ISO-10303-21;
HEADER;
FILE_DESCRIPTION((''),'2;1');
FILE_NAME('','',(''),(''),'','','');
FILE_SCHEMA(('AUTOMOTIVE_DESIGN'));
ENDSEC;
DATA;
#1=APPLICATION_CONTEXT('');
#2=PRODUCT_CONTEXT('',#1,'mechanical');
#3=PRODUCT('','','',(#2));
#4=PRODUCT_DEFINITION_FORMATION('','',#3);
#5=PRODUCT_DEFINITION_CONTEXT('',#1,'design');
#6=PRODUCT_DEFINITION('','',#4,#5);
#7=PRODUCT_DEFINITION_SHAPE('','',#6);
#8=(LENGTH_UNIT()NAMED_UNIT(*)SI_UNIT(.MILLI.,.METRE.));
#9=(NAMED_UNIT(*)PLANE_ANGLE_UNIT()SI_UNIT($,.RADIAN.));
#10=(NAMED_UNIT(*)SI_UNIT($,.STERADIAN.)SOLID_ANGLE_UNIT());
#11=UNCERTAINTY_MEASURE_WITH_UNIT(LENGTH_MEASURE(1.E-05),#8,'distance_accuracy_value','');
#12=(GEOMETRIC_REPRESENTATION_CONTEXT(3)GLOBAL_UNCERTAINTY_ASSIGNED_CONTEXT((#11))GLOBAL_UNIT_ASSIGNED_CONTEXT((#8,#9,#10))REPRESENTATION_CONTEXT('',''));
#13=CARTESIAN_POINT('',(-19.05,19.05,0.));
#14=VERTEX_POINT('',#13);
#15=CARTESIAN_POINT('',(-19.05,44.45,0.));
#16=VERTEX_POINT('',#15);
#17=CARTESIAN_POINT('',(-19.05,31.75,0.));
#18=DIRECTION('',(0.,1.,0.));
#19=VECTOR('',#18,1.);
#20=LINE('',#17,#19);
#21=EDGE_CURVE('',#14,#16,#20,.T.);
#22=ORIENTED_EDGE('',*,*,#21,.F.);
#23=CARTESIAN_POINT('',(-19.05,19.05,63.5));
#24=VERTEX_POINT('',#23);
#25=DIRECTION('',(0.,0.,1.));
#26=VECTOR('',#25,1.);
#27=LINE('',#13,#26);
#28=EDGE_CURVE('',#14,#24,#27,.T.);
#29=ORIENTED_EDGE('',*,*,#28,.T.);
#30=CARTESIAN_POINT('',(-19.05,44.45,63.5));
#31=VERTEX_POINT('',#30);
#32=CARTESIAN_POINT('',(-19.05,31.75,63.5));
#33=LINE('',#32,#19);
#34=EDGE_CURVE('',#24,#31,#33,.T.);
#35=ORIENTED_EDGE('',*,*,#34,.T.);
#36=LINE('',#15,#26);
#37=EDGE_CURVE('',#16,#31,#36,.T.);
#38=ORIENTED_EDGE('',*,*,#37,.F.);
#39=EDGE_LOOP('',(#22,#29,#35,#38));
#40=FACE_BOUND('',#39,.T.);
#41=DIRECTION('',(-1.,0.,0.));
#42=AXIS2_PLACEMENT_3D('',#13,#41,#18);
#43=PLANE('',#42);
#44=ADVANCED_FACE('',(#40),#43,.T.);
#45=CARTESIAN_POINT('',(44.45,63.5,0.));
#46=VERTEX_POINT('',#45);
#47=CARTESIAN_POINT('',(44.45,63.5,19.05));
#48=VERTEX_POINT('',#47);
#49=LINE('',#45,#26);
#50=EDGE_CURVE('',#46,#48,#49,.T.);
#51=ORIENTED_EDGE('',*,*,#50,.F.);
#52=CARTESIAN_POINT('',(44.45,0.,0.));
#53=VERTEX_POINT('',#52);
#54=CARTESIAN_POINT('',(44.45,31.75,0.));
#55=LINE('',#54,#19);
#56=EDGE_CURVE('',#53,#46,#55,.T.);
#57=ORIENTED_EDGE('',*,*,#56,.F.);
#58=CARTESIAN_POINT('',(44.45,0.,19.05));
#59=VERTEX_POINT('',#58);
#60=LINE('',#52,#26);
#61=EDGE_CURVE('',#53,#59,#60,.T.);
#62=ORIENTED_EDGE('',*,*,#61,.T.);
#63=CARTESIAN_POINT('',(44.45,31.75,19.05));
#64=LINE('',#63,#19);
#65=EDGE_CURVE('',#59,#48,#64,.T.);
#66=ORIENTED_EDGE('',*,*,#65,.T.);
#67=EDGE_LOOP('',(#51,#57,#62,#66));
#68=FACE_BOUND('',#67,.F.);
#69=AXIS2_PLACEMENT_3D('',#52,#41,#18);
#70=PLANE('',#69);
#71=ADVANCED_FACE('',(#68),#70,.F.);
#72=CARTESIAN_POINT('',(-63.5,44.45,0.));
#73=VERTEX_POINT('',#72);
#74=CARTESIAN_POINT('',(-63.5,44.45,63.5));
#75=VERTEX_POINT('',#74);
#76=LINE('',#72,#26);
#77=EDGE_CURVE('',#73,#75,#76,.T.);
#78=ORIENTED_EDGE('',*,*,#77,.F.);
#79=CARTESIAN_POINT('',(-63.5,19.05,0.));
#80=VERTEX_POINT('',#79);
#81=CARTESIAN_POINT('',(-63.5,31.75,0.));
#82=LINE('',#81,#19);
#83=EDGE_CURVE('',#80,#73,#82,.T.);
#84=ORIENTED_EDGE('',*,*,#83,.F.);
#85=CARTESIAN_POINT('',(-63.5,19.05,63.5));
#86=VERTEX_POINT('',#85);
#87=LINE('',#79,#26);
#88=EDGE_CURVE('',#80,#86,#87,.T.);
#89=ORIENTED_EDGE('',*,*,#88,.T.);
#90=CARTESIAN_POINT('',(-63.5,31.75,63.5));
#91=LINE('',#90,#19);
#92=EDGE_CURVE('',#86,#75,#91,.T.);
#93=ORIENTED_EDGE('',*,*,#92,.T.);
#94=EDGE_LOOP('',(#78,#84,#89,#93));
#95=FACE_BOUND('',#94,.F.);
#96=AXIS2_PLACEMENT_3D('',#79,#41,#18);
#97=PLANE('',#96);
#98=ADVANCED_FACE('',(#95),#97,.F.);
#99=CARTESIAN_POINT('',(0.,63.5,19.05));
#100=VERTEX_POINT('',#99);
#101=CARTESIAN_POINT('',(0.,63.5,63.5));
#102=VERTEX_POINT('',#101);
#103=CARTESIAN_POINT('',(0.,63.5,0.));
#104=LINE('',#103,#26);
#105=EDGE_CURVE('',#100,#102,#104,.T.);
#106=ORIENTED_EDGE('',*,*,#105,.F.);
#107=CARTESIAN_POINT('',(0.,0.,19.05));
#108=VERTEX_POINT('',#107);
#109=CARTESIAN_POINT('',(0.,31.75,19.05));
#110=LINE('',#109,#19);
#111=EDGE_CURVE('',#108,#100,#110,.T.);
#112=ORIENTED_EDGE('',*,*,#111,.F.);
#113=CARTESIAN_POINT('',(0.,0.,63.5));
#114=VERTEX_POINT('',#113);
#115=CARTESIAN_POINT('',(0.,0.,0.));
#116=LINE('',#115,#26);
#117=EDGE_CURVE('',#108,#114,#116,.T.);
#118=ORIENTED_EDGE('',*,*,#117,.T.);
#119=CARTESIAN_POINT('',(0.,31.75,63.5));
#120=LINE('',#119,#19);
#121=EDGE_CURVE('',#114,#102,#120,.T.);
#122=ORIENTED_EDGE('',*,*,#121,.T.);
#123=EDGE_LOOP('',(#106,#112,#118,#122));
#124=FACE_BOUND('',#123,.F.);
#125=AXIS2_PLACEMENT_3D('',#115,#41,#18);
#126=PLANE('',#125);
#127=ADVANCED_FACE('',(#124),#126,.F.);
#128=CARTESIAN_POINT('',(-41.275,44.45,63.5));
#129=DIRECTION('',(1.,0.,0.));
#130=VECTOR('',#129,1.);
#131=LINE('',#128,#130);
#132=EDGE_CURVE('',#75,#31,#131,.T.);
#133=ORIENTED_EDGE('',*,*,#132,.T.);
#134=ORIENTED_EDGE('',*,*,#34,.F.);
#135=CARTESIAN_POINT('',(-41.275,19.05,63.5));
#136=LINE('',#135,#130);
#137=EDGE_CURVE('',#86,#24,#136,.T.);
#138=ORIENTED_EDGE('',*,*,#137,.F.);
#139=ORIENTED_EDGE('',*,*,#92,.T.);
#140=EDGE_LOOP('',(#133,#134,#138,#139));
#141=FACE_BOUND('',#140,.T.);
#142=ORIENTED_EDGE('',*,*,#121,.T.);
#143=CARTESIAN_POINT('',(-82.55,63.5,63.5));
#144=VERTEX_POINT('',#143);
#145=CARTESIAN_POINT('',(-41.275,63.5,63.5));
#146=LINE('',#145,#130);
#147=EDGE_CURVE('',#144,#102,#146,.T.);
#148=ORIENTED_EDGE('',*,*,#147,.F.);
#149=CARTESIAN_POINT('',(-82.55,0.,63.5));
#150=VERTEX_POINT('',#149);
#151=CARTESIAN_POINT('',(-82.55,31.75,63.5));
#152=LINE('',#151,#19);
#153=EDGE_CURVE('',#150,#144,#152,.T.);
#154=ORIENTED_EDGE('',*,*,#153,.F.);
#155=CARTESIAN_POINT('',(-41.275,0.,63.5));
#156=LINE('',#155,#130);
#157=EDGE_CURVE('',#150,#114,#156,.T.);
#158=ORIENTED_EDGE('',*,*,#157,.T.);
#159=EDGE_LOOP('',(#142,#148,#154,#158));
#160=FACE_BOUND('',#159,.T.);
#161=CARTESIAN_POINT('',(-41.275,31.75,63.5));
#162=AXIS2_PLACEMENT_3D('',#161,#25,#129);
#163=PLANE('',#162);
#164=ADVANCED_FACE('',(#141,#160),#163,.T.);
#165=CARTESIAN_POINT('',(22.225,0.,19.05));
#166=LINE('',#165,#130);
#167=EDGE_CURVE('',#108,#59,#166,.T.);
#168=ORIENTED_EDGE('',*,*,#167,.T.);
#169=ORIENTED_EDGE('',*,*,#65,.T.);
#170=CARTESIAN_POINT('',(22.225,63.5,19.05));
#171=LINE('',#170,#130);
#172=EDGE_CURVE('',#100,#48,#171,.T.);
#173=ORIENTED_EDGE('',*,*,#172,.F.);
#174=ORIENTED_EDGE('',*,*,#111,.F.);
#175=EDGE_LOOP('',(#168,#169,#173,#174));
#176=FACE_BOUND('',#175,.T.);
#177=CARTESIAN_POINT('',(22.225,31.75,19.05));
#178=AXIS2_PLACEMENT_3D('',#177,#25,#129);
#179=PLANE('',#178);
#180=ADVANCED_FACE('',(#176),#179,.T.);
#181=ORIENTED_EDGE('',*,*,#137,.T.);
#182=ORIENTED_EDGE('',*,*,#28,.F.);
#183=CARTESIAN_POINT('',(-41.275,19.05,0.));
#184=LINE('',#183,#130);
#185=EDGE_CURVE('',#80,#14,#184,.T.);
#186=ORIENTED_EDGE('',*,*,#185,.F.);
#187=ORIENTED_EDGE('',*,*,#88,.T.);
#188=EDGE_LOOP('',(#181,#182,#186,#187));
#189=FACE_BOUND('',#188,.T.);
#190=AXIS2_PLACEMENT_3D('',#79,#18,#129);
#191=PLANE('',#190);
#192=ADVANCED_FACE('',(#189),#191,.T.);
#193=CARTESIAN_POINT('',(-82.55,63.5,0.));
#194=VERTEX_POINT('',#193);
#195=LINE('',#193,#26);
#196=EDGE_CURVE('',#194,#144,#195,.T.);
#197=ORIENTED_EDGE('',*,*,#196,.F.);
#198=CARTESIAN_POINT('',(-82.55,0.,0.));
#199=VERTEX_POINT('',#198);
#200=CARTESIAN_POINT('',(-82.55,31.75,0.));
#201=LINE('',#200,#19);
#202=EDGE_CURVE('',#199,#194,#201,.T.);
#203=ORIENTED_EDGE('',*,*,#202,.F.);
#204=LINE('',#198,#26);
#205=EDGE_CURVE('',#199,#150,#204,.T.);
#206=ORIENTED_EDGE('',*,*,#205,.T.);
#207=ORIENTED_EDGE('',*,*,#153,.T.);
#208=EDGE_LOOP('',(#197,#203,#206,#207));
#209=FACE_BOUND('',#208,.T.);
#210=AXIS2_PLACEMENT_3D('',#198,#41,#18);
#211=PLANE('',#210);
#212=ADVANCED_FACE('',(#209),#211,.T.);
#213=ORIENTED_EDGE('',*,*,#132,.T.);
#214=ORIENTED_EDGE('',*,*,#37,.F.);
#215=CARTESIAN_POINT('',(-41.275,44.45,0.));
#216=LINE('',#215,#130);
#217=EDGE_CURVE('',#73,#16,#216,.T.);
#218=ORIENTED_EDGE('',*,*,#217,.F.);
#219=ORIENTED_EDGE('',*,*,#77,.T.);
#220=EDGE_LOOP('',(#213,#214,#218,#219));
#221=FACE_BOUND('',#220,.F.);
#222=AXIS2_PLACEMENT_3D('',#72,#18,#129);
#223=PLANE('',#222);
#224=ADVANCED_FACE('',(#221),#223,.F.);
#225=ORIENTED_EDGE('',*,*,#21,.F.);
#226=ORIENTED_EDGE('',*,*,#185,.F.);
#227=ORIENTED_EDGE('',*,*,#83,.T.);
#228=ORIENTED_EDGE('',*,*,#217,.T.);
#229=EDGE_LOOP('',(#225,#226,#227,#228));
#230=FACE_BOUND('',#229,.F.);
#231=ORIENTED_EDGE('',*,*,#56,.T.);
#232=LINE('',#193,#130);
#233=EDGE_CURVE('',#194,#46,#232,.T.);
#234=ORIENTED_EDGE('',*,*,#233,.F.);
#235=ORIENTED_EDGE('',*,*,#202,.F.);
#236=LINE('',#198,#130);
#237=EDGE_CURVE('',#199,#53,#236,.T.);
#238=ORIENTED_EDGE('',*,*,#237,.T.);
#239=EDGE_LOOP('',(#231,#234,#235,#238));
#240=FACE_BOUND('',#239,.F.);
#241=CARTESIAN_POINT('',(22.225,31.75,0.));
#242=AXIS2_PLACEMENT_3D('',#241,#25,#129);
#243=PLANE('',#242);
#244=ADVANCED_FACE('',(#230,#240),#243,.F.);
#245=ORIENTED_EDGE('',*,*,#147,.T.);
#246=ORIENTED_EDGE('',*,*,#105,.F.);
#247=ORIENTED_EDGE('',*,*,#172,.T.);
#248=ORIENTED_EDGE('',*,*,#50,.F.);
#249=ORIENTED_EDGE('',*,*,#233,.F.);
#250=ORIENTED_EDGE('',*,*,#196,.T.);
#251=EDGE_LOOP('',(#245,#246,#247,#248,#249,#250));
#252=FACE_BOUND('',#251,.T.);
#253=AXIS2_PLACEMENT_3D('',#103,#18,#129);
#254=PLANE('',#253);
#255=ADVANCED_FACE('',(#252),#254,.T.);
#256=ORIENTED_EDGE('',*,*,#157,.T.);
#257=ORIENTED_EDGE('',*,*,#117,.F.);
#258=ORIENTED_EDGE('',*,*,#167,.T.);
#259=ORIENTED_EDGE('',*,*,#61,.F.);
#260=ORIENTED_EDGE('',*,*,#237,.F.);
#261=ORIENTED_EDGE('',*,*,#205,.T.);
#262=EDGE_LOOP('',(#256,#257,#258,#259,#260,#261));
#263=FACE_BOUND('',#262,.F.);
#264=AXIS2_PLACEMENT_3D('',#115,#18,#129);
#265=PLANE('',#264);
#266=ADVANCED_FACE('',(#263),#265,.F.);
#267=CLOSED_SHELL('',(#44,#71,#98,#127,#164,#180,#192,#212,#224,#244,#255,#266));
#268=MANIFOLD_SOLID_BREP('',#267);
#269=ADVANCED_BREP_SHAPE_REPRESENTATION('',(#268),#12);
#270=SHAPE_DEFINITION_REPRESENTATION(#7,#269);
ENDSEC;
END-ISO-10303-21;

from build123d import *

# Parameters (mm, degrees)
F0_W     = 82.55
F0_H     = 63.5
F0_W_2   = 44.45
F0_H_2   = 25.4
F1_DEPTH = 63.5
F2_W     = 44.45
F2_H     = 63.5
F3_DEPTH = 19.05


with BuildPart() as f1:
    # F0 (on Top) → F1 (new body)
    with BuildSketch(Plane.XY):
        with Locations((-41.275, 31.75)):
            Rectangle(F0_W, F0_H)
        with Locations((-41.275, 31.75)):
            Rectangle(F0_W_2, F0_H_2, mode=Mode.SUBTRACT)
    extrude(amount=F1_DEPTH)

    # F2 (on Top) → F3 (join)
    with BuildSketch(Plane.XY):
        with Locations((22.225, 31.75)):
            Rectangle(F2_W, F2_H)
    extrude(amount=F3_DEPTH)


solid = f1.part
